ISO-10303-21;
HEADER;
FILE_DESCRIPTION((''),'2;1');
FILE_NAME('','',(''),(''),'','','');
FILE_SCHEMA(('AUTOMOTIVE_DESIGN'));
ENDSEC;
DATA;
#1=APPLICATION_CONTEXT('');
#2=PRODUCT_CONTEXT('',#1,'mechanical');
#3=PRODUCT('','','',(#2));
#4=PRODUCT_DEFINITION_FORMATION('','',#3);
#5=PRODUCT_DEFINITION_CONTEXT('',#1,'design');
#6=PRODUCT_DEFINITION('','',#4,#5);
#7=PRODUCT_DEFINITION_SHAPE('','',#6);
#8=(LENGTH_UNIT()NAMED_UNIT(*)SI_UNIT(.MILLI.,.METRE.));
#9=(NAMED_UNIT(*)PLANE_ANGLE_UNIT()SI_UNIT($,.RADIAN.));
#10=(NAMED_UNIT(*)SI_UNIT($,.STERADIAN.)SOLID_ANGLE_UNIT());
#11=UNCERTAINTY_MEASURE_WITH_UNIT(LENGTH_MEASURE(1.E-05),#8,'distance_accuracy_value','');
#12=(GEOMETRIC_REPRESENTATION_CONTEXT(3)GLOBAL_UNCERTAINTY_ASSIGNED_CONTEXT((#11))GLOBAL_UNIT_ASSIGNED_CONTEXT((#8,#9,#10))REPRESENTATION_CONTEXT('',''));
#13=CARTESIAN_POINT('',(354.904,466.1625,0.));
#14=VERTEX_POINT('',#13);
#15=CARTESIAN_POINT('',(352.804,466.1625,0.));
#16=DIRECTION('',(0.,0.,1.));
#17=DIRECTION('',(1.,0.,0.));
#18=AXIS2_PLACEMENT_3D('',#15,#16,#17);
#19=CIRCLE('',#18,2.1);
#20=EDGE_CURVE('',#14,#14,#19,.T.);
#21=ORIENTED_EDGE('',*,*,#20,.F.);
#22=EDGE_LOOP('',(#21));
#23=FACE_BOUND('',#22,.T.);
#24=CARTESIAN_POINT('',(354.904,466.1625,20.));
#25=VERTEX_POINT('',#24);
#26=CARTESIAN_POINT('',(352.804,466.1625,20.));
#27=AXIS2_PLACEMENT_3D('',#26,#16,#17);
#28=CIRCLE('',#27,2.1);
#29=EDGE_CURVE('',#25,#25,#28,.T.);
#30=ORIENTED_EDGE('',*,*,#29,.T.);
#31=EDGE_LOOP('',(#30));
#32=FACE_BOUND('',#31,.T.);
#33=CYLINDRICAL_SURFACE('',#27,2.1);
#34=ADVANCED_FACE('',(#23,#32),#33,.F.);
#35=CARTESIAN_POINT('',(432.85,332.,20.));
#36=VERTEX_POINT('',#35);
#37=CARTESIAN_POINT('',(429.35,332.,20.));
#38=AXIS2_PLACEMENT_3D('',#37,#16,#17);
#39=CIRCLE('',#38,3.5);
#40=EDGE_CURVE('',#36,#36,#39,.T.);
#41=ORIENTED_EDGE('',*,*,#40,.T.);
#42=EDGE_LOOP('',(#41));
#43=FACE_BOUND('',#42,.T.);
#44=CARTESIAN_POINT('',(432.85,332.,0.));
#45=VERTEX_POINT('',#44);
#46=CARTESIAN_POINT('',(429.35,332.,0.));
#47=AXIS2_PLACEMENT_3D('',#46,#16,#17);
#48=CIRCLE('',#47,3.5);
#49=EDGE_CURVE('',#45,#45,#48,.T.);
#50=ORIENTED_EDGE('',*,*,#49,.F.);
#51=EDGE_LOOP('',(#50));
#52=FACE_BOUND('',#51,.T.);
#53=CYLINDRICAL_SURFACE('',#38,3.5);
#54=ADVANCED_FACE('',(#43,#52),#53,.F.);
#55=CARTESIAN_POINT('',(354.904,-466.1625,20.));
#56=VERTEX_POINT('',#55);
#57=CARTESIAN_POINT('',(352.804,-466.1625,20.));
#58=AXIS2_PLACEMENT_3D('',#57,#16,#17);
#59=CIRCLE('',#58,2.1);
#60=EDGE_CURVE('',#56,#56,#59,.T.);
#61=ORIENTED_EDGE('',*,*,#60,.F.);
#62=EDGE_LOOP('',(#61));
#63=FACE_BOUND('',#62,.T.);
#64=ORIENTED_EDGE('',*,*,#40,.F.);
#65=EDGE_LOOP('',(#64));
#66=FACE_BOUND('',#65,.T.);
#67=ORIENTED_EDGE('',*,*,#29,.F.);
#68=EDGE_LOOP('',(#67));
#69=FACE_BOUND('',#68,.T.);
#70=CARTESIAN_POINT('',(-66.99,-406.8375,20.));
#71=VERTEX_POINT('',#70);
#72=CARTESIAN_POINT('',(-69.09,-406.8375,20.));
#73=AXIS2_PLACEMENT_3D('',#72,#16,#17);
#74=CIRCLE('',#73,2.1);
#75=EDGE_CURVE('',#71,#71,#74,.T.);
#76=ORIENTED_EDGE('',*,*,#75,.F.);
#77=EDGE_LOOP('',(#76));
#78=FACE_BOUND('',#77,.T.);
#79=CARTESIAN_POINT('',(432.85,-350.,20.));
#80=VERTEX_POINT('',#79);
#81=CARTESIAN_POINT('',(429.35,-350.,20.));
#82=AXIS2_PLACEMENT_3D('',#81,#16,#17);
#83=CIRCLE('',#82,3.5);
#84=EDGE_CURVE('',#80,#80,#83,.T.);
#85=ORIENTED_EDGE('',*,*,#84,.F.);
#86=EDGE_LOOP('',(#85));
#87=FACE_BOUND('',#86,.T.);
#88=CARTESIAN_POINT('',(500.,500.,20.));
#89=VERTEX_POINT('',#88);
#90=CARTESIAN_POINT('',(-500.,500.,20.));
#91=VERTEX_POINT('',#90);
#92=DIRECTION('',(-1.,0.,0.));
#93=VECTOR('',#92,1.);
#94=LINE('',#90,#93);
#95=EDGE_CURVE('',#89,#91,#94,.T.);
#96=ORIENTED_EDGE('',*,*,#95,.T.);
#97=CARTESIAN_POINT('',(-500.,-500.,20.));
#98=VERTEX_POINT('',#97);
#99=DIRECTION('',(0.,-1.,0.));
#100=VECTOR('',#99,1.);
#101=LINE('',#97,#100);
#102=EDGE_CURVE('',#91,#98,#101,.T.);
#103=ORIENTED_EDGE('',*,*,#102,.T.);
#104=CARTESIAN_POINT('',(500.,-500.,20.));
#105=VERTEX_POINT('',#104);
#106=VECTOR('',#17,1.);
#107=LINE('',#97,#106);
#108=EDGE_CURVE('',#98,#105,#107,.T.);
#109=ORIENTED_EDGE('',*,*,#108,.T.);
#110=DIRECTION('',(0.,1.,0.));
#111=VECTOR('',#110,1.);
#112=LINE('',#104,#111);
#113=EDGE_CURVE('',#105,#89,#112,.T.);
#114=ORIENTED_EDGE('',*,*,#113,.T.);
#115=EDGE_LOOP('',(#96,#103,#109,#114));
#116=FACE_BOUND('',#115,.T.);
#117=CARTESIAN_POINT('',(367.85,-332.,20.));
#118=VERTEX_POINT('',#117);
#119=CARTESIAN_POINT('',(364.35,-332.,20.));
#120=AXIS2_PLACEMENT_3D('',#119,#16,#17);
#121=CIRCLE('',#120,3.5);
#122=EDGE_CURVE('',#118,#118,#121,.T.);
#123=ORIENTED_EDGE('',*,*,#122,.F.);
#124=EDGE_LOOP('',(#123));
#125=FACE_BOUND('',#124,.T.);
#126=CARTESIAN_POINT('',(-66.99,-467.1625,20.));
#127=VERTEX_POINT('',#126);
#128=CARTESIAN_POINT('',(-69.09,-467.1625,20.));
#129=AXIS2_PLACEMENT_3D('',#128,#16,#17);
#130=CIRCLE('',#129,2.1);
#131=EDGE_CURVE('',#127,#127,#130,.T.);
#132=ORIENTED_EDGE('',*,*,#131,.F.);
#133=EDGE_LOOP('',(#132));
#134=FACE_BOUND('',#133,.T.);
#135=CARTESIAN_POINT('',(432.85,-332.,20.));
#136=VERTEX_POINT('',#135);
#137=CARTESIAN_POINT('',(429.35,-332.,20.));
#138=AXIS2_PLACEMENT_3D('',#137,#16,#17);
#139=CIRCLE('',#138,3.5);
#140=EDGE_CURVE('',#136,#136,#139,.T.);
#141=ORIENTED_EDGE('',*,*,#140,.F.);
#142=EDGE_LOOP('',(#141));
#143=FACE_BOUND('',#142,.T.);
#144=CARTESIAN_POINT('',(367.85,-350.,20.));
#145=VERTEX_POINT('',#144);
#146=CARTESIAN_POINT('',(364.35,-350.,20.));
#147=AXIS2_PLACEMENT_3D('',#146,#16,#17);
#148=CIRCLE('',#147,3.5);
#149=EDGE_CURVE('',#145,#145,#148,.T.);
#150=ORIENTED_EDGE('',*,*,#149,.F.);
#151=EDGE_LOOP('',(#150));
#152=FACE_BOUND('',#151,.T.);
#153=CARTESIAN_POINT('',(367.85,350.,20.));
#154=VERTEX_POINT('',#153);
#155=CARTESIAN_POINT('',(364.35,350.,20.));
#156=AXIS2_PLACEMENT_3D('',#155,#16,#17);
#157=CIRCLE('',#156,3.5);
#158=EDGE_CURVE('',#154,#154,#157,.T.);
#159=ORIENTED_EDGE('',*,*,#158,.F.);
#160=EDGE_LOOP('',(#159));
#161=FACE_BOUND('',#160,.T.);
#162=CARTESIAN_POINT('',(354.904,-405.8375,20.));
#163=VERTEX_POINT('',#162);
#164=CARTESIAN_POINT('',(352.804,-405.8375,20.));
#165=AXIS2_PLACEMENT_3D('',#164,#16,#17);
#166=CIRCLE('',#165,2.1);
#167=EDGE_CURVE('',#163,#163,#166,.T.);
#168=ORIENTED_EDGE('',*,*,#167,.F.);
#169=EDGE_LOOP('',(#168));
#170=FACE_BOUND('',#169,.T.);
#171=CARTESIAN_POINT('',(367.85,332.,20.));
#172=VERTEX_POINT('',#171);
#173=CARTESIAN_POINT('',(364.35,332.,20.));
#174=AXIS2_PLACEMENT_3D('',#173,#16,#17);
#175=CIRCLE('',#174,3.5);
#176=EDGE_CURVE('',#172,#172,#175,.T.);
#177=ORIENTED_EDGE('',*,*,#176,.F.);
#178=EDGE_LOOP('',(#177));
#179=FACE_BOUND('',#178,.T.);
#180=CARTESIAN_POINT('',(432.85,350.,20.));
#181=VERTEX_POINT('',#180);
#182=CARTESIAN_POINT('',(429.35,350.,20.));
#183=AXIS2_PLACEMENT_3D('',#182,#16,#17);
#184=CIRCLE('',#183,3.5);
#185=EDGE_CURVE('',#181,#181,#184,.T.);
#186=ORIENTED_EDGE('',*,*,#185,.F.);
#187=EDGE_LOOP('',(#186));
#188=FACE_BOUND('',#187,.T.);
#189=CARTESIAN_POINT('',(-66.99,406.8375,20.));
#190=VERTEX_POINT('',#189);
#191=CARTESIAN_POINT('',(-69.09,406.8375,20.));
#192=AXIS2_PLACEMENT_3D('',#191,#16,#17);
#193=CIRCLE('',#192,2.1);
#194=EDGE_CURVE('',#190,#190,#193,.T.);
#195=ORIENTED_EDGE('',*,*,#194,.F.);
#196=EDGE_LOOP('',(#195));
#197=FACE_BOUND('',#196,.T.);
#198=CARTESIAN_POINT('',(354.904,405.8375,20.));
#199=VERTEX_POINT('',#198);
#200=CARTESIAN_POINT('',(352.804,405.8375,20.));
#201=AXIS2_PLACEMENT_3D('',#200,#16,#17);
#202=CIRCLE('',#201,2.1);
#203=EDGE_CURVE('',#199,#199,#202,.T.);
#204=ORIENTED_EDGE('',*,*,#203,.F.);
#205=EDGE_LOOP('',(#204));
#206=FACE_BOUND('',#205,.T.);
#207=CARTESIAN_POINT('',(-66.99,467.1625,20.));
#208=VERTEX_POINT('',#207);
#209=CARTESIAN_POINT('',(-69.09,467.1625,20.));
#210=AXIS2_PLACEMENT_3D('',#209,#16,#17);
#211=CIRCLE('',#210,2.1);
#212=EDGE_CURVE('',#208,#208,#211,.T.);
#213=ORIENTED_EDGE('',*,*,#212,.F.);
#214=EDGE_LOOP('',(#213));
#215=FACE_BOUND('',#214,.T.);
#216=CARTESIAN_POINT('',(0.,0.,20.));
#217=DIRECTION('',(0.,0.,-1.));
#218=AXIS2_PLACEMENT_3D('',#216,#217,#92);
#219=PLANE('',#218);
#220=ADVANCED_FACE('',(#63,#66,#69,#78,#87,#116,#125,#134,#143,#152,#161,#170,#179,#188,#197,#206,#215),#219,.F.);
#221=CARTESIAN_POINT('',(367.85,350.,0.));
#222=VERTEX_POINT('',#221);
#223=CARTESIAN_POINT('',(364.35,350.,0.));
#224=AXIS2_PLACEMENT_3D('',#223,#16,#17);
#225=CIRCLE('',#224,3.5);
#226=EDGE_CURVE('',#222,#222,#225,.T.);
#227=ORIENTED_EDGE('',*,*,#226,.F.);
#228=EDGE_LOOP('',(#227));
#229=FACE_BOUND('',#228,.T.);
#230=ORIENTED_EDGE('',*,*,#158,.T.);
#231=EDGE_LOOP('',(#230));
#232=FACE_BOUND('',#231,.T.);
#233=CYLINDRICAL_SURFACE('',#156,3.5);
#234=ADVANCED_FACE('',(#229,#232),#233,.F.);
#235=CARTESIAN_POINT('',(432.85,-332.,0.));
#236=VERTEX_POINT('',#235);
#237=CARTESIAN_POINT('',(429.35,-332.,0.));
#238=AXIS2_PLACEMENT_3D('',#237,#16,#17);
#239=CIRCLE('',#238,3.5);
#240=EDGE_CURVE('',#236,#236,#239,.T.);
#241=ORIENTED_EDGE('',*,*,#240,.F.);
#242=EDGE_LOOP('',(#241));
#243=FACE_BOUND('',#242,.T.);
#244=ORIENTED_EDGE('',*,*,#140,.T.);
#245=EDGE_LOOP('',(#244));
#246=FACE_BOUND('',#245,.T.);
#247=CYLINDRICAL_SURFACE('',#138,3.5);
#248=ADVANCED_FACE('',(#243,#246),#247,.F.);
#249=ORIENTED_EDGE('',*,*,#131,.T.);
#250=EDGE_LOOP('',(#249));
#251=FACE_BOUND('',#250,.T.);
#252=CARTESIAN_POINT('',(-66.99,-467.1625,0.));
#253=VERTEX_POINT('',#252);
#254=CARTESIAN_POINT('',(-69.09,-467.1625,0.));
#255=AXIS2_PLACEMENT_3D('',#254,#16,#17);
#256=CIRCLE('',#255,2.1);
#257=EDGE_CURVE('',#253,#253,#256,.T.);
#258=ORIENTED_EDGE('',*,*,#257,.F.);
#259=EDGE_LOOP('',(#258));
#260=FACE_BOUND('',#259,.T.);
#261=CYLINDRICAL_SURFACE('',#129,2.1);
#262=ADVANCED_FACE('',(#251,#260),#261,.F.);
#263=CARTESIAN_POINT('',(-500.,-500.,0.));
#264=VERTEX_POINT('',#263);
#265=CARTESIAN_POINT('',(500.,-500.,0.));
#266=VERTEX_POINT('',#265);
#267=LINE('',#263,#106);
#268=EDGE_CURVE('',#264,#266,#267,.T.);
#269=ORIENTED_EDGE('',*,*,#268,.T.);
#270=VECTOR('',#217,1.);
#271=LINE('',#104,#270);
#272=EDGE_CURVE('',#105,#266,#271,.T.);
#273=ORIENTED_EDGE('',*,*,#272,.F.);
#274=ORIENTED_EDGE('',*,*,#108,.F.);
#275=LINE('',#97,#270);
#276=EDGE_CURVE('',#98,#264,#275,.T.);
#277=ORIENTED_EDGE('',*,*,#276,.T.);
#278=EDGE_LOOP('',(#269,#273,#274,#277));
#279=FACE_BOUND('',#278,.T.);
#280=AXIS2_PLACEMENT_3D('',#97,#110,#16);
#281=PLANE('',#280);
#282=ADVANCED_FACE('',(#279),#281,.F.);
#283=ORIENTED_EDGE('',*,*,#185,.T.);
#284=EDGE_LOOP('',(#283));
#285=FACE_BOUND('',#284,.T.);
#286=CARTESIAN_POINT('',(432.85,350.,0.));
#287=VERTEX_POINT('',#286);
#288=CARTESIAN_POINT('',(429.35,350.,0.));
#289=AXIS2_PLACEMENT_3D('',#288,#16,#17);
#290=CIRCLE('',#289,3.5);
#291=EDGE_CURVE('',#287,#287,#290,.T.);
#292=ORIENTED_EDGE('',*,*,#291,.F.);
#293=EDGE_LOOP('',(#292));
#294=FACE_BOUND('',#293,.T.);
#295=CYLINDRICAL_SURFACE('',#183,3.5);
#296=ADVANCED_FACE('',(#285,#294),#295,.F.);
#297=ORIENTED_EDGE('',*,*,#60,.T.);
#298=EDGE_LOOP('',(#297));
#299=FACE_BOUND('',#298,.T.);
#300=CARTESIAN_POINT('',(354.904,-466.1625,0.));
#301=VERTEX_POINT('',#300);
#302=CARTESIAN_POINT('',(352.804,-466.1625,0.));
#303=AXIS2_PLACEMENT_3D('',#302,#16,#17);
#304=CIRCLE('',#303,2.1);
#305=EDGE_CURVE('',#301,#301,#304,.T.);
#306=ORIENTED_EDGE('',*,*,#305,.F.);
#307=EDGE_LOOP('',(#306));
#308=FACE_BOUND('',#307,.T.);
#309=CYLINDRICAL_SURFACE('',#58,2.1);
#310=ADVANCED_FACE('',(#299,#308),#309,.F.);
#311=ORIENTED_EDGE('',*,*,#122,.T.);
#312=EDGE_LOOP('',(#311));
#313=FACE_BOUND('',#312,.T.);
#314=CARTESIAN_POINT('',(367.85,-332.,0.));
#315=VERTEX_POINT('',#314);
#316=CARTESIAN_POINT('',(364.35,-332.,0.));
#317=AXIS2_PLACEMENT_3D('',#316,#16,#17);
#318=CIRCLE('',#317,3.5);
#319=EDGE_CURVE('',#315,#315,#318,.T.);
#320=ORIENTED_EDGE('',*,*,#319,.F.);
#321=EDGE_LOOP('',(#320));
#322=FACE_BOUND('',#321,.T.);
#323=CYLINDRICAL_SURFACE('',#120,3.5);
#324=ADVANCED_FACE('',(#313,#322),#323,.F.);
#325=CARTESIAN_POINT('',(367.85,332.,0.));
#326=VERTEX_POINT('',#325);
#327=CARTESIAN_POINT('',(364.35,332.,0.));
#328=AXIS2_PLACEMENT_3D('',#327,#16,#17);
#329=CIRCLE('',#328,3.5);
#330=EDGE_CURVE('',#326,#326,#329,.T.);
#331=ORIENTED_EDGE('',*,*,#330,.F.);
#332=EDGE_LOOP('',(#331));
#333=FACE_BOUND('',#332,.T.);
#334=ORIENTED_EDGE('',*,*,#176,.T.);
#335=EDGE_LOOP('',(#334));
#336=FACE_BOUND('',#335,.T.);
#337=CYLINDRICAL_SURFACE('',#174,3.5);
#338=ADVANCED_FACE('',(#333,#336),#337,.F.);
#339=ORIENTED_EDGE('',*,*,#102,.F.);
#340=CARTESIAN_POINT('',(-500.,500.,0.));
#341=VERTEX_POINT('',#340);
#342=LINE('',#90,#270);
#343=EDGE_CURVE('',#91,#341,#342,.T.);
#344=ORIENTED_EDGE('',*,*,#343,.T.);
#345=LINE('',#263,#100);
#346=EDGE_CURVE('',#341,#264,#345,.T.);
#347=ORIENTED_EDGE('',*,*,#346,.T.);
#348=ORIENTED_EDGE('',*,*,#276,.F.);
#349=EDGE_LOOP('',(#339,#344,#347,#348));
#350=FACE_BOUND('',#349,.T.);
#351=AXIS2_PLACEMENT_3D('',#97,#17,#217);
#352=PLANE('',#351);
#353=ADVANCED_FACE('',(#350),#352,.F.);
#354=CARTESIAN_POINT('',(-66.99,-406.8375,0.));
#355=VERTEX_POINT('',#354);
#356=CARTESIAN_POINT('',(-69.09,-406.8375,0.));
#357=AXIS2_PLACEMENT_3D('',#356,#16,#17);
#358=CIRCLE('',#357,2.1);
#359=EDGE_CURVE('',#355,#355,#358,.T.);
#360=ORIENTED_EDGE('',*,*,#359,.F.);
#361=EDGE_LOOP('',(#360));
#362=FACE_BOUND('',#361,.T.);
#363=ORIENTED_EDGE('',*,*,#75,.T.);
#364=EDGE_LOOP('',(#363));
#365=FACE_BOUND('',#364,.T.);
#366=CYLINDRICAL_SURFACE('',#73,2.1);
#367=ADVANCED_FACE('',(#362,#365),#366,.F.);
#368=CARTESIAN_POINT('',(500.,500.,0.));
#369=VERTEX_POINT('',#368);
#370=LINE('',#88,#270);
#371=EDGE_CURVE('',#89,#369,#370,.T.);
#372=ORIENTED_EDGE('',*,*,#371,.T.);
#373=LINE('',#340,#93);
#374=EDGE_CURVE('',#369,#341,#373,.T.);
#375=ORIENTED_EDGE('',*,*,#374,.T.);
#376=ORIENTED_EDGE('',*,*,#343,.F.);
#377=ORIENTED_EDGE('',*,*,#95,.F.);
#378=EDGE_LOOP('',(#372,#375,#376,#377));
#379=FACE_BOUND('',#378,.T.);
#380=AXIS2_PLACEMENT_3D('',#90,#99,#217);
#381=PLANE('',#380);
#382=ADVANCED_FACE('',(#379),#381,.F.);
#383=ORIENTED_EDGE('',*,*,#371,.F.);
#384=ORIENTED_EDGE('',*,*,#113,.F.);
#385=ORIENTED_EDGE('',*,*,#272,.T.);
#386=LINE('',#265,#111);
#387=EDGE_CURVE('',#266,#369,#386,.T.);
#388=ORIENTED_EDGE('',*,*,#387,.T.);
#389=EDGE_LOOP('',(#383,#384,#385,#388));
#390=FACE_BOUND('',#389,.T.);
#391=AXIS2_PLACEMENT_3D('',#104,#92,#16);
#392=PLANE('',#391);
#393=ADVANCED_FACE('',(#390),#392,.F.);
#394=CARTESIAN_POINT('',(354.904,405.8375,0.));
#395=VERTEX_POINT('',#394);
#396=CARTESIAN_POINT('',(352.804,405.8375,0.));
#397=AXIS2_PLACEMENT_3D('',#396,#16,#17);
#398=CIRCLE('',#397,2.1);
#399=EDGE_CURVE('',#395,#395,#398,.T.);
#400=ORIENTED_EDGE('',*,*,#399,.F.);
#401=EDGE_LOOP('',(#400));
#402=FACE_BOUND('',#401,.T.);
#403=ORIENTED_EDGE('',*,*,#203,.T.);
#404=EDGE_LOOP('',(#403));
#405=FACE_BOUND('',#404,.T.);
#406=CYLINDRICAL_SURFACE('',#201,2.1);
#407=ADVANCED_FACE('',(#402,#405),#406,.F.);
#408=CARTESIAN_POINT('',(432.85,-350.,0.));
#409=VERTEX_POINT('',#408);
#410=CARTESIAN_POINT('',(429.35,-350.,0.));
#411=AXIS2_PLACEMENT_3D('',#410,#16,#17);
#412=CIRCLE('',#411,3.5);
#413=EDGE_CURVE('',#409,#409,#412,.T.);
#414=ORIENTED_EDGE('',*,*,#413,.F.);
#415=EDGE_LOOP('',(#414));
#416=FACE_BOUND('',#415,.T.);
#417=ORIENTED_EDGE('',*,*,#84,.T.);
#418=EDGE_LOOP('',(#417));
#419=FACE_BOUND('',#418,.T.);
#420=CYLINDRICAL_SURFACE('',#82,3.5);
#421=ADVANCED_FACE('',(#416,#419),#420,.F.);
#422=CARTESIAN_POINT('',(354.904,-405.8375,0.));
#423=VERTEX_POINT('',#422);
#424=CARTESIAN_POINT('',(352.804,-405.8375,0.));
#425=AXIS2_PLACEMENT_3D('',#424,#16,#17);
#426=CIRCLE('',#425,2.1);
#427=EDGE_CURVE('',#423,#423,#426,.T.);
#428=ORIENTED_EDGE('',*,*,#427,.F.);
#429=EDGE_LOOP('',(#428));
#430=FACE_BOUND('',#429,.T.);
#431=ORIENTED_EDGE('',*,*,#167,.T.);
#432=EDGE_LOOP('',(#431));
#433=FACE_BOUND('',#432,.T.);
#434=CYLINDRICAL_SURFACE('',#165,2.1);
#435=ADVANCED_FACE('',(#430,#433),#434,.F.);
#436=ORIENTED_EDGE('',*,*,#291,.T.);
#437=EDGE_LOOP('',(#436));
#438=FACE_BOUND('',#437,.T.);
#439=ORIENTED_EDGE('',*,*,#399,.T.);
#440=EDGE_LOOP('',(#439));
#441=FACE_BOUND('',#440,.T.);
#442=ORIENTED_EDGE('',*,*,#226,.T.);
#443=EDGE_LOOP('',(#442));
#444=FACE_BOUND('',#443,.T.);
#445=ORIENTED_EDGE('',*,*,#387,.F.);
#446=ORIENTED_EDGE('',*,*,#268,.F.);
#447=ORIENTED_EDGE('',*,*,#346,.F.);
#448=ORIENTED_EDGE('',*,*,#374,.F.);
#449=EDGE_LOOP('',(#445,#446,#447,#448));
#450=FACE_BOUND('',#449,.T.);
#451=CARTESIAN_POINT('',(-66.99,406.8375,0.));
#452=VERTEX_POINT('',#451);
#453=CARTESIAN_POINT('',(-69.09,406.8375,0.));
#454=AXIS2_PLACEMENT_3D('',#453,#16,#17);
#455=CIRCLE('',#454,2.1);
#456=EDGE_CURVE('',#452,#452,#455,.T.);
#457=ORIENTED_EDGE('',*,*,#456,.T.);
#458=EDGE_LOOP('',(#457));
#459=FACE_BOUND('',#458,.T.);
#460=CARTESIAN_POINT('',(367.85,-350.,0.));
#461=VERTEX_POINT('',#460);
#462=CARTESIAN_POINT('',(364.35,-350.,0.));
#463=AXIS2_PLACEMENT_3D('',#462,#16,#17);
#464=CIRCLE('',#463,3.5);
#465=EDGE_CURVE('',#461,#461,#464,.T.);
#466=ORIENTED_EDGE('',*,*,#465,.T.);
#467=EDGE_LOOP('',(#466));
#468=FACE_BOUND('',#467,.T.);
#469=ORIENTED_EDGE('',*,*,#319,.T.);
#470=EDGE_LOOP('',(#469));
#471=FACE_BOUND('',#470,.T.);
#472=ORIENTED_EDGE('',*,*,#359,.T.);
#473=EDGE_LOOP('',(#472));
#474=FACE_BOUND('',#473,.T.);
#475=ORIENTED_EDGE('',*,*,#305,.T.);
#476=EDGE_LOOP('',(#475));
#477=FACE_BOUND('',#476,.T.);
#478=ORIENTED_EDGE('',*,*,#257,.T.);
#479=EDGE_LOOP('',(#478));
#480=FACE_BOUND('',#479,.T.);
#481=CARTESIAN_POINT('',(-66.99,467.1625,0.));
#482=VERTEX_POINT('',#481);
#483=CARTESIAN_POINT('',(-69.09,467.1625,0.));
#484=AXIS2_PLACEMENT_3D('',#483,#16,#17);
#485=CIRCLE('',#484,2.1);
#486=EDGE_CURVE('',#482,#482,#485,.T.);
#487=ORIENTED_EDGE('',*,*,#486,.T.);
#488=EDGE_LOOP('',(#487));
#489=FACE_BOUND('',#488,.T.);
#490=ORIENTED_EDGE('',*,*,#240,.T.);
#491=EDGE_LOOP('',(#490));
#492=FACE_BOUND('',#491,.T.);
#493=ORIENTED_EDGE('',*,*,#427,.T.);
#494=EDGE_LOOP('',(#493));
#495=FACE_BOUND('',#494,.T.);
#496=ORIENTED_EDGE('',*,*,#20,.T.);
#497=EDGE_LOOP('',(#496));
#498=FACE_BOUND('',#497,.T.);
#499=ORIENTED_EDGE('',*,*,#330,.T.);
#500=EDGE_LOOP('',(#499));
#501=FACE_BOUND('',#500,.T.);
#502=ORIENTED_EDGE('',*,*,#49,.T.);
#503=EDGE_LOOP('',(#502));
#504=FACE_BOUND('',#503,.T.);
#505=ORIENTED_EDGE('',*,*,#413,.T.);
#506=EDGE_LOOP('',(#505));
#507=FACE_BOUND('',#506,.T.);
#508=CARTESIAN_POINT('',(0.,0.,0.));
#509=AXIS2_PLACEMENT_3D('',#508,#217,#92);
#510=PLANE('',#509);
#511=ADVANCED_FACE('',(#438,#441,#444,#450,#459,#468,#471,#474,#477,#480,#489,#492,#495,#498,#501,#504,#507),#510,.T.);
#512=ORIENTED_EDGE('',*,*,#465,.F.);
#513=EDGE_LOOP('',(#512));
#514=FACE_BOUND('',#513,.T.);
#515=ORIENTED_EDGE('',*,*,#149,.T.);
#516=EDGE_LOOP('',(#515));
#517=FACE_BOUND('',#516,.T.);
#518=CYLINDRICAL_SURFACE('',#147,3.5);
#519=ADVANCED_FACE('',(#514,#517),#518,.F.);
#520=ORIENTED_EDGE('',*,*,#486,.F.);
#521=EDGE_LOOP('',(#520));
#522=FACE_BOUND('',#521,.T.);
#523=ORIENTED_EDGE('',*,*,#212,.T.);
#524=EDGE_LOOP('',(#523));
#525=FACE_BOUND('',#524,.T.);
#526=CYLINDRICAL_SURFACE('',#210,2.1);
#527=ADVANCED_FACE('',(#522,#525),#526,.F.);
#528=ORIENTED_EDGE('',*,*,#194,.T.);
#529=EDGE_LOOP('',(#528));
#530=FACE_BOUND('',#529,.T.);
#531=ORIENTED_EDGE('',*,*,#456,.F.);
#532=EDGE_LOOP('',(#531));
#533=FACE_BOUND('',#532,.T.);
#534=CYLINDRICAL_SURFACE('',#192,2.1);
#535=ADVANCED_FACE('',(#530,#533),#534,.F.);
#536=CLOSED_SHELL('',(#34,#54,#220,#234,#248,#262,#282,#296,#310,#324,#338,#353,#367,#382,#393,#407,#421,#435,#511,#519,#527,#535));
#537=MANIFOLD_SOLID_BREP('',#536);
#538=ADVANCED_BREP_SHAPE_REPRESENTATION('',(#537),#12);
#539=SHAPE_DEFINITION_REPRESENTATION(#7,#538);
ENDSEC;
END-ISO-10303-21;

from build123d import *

# Parameters (mm, degrees)
SKETCH5_W             = 1000
SKETCH5_H             = 1000
BOSS_EXTRUDE1_DEPTH   = 20
M8X1_0_TAPPED_HOLE1_D = 7
M5X0_8_TAPPED_HOLE1_D = 4.2


with BuildPart() as part:
    # Sketch5 → Boss-Extrude1 (new body)
    with BuildSketch(Plane.XY):
        Rectangle(SKETCH5_W, SKETCH5_H)
    extrude(amount=BOSS_EXTRUDE1_DEPTH)

    # M8x1.0 Tapped Hole1 (through all)
    with Locations(Plane(origin=(364.35, 350, 20), x_dir=(1, 0, 0), z_dir=(0, 0, 1))):
        with Locations((0, 0), (0, -18), (65, -18), (65, 0)):
            m8x1_0_tapped_hole1 = Hole(M8X1_0_TAPPED_HOLE1_D / 2)

    # M5x0.8 Tapped Hole1 (through all)
    with Locations(Plane(origin=(-69.09, 406.8375, 20), x_dir=(1, 0, 0), z_dir=(0, 0, 1))):
        with Locations((0, 0), (0, 60.325), (421.894, 59.325), (421.894, -1)):
            m5x0_8_tapped_hole1 = Hole(M5X0_8_TAPPED_HOLE1_D / 2)

    # Mirror1: M8x1.0 Tapped Hole1, M5x0.8 Tapped Hole1 across plane
    add(m8x1_0_tapped_hole1.mirror(Plane.ZX), mode=Mode.SUBTRACT)
    add(m5x0_8_tapped_hole1.mirror(Plane.ZX), mode=Mode.SUBTRACT)


solid = part.part
